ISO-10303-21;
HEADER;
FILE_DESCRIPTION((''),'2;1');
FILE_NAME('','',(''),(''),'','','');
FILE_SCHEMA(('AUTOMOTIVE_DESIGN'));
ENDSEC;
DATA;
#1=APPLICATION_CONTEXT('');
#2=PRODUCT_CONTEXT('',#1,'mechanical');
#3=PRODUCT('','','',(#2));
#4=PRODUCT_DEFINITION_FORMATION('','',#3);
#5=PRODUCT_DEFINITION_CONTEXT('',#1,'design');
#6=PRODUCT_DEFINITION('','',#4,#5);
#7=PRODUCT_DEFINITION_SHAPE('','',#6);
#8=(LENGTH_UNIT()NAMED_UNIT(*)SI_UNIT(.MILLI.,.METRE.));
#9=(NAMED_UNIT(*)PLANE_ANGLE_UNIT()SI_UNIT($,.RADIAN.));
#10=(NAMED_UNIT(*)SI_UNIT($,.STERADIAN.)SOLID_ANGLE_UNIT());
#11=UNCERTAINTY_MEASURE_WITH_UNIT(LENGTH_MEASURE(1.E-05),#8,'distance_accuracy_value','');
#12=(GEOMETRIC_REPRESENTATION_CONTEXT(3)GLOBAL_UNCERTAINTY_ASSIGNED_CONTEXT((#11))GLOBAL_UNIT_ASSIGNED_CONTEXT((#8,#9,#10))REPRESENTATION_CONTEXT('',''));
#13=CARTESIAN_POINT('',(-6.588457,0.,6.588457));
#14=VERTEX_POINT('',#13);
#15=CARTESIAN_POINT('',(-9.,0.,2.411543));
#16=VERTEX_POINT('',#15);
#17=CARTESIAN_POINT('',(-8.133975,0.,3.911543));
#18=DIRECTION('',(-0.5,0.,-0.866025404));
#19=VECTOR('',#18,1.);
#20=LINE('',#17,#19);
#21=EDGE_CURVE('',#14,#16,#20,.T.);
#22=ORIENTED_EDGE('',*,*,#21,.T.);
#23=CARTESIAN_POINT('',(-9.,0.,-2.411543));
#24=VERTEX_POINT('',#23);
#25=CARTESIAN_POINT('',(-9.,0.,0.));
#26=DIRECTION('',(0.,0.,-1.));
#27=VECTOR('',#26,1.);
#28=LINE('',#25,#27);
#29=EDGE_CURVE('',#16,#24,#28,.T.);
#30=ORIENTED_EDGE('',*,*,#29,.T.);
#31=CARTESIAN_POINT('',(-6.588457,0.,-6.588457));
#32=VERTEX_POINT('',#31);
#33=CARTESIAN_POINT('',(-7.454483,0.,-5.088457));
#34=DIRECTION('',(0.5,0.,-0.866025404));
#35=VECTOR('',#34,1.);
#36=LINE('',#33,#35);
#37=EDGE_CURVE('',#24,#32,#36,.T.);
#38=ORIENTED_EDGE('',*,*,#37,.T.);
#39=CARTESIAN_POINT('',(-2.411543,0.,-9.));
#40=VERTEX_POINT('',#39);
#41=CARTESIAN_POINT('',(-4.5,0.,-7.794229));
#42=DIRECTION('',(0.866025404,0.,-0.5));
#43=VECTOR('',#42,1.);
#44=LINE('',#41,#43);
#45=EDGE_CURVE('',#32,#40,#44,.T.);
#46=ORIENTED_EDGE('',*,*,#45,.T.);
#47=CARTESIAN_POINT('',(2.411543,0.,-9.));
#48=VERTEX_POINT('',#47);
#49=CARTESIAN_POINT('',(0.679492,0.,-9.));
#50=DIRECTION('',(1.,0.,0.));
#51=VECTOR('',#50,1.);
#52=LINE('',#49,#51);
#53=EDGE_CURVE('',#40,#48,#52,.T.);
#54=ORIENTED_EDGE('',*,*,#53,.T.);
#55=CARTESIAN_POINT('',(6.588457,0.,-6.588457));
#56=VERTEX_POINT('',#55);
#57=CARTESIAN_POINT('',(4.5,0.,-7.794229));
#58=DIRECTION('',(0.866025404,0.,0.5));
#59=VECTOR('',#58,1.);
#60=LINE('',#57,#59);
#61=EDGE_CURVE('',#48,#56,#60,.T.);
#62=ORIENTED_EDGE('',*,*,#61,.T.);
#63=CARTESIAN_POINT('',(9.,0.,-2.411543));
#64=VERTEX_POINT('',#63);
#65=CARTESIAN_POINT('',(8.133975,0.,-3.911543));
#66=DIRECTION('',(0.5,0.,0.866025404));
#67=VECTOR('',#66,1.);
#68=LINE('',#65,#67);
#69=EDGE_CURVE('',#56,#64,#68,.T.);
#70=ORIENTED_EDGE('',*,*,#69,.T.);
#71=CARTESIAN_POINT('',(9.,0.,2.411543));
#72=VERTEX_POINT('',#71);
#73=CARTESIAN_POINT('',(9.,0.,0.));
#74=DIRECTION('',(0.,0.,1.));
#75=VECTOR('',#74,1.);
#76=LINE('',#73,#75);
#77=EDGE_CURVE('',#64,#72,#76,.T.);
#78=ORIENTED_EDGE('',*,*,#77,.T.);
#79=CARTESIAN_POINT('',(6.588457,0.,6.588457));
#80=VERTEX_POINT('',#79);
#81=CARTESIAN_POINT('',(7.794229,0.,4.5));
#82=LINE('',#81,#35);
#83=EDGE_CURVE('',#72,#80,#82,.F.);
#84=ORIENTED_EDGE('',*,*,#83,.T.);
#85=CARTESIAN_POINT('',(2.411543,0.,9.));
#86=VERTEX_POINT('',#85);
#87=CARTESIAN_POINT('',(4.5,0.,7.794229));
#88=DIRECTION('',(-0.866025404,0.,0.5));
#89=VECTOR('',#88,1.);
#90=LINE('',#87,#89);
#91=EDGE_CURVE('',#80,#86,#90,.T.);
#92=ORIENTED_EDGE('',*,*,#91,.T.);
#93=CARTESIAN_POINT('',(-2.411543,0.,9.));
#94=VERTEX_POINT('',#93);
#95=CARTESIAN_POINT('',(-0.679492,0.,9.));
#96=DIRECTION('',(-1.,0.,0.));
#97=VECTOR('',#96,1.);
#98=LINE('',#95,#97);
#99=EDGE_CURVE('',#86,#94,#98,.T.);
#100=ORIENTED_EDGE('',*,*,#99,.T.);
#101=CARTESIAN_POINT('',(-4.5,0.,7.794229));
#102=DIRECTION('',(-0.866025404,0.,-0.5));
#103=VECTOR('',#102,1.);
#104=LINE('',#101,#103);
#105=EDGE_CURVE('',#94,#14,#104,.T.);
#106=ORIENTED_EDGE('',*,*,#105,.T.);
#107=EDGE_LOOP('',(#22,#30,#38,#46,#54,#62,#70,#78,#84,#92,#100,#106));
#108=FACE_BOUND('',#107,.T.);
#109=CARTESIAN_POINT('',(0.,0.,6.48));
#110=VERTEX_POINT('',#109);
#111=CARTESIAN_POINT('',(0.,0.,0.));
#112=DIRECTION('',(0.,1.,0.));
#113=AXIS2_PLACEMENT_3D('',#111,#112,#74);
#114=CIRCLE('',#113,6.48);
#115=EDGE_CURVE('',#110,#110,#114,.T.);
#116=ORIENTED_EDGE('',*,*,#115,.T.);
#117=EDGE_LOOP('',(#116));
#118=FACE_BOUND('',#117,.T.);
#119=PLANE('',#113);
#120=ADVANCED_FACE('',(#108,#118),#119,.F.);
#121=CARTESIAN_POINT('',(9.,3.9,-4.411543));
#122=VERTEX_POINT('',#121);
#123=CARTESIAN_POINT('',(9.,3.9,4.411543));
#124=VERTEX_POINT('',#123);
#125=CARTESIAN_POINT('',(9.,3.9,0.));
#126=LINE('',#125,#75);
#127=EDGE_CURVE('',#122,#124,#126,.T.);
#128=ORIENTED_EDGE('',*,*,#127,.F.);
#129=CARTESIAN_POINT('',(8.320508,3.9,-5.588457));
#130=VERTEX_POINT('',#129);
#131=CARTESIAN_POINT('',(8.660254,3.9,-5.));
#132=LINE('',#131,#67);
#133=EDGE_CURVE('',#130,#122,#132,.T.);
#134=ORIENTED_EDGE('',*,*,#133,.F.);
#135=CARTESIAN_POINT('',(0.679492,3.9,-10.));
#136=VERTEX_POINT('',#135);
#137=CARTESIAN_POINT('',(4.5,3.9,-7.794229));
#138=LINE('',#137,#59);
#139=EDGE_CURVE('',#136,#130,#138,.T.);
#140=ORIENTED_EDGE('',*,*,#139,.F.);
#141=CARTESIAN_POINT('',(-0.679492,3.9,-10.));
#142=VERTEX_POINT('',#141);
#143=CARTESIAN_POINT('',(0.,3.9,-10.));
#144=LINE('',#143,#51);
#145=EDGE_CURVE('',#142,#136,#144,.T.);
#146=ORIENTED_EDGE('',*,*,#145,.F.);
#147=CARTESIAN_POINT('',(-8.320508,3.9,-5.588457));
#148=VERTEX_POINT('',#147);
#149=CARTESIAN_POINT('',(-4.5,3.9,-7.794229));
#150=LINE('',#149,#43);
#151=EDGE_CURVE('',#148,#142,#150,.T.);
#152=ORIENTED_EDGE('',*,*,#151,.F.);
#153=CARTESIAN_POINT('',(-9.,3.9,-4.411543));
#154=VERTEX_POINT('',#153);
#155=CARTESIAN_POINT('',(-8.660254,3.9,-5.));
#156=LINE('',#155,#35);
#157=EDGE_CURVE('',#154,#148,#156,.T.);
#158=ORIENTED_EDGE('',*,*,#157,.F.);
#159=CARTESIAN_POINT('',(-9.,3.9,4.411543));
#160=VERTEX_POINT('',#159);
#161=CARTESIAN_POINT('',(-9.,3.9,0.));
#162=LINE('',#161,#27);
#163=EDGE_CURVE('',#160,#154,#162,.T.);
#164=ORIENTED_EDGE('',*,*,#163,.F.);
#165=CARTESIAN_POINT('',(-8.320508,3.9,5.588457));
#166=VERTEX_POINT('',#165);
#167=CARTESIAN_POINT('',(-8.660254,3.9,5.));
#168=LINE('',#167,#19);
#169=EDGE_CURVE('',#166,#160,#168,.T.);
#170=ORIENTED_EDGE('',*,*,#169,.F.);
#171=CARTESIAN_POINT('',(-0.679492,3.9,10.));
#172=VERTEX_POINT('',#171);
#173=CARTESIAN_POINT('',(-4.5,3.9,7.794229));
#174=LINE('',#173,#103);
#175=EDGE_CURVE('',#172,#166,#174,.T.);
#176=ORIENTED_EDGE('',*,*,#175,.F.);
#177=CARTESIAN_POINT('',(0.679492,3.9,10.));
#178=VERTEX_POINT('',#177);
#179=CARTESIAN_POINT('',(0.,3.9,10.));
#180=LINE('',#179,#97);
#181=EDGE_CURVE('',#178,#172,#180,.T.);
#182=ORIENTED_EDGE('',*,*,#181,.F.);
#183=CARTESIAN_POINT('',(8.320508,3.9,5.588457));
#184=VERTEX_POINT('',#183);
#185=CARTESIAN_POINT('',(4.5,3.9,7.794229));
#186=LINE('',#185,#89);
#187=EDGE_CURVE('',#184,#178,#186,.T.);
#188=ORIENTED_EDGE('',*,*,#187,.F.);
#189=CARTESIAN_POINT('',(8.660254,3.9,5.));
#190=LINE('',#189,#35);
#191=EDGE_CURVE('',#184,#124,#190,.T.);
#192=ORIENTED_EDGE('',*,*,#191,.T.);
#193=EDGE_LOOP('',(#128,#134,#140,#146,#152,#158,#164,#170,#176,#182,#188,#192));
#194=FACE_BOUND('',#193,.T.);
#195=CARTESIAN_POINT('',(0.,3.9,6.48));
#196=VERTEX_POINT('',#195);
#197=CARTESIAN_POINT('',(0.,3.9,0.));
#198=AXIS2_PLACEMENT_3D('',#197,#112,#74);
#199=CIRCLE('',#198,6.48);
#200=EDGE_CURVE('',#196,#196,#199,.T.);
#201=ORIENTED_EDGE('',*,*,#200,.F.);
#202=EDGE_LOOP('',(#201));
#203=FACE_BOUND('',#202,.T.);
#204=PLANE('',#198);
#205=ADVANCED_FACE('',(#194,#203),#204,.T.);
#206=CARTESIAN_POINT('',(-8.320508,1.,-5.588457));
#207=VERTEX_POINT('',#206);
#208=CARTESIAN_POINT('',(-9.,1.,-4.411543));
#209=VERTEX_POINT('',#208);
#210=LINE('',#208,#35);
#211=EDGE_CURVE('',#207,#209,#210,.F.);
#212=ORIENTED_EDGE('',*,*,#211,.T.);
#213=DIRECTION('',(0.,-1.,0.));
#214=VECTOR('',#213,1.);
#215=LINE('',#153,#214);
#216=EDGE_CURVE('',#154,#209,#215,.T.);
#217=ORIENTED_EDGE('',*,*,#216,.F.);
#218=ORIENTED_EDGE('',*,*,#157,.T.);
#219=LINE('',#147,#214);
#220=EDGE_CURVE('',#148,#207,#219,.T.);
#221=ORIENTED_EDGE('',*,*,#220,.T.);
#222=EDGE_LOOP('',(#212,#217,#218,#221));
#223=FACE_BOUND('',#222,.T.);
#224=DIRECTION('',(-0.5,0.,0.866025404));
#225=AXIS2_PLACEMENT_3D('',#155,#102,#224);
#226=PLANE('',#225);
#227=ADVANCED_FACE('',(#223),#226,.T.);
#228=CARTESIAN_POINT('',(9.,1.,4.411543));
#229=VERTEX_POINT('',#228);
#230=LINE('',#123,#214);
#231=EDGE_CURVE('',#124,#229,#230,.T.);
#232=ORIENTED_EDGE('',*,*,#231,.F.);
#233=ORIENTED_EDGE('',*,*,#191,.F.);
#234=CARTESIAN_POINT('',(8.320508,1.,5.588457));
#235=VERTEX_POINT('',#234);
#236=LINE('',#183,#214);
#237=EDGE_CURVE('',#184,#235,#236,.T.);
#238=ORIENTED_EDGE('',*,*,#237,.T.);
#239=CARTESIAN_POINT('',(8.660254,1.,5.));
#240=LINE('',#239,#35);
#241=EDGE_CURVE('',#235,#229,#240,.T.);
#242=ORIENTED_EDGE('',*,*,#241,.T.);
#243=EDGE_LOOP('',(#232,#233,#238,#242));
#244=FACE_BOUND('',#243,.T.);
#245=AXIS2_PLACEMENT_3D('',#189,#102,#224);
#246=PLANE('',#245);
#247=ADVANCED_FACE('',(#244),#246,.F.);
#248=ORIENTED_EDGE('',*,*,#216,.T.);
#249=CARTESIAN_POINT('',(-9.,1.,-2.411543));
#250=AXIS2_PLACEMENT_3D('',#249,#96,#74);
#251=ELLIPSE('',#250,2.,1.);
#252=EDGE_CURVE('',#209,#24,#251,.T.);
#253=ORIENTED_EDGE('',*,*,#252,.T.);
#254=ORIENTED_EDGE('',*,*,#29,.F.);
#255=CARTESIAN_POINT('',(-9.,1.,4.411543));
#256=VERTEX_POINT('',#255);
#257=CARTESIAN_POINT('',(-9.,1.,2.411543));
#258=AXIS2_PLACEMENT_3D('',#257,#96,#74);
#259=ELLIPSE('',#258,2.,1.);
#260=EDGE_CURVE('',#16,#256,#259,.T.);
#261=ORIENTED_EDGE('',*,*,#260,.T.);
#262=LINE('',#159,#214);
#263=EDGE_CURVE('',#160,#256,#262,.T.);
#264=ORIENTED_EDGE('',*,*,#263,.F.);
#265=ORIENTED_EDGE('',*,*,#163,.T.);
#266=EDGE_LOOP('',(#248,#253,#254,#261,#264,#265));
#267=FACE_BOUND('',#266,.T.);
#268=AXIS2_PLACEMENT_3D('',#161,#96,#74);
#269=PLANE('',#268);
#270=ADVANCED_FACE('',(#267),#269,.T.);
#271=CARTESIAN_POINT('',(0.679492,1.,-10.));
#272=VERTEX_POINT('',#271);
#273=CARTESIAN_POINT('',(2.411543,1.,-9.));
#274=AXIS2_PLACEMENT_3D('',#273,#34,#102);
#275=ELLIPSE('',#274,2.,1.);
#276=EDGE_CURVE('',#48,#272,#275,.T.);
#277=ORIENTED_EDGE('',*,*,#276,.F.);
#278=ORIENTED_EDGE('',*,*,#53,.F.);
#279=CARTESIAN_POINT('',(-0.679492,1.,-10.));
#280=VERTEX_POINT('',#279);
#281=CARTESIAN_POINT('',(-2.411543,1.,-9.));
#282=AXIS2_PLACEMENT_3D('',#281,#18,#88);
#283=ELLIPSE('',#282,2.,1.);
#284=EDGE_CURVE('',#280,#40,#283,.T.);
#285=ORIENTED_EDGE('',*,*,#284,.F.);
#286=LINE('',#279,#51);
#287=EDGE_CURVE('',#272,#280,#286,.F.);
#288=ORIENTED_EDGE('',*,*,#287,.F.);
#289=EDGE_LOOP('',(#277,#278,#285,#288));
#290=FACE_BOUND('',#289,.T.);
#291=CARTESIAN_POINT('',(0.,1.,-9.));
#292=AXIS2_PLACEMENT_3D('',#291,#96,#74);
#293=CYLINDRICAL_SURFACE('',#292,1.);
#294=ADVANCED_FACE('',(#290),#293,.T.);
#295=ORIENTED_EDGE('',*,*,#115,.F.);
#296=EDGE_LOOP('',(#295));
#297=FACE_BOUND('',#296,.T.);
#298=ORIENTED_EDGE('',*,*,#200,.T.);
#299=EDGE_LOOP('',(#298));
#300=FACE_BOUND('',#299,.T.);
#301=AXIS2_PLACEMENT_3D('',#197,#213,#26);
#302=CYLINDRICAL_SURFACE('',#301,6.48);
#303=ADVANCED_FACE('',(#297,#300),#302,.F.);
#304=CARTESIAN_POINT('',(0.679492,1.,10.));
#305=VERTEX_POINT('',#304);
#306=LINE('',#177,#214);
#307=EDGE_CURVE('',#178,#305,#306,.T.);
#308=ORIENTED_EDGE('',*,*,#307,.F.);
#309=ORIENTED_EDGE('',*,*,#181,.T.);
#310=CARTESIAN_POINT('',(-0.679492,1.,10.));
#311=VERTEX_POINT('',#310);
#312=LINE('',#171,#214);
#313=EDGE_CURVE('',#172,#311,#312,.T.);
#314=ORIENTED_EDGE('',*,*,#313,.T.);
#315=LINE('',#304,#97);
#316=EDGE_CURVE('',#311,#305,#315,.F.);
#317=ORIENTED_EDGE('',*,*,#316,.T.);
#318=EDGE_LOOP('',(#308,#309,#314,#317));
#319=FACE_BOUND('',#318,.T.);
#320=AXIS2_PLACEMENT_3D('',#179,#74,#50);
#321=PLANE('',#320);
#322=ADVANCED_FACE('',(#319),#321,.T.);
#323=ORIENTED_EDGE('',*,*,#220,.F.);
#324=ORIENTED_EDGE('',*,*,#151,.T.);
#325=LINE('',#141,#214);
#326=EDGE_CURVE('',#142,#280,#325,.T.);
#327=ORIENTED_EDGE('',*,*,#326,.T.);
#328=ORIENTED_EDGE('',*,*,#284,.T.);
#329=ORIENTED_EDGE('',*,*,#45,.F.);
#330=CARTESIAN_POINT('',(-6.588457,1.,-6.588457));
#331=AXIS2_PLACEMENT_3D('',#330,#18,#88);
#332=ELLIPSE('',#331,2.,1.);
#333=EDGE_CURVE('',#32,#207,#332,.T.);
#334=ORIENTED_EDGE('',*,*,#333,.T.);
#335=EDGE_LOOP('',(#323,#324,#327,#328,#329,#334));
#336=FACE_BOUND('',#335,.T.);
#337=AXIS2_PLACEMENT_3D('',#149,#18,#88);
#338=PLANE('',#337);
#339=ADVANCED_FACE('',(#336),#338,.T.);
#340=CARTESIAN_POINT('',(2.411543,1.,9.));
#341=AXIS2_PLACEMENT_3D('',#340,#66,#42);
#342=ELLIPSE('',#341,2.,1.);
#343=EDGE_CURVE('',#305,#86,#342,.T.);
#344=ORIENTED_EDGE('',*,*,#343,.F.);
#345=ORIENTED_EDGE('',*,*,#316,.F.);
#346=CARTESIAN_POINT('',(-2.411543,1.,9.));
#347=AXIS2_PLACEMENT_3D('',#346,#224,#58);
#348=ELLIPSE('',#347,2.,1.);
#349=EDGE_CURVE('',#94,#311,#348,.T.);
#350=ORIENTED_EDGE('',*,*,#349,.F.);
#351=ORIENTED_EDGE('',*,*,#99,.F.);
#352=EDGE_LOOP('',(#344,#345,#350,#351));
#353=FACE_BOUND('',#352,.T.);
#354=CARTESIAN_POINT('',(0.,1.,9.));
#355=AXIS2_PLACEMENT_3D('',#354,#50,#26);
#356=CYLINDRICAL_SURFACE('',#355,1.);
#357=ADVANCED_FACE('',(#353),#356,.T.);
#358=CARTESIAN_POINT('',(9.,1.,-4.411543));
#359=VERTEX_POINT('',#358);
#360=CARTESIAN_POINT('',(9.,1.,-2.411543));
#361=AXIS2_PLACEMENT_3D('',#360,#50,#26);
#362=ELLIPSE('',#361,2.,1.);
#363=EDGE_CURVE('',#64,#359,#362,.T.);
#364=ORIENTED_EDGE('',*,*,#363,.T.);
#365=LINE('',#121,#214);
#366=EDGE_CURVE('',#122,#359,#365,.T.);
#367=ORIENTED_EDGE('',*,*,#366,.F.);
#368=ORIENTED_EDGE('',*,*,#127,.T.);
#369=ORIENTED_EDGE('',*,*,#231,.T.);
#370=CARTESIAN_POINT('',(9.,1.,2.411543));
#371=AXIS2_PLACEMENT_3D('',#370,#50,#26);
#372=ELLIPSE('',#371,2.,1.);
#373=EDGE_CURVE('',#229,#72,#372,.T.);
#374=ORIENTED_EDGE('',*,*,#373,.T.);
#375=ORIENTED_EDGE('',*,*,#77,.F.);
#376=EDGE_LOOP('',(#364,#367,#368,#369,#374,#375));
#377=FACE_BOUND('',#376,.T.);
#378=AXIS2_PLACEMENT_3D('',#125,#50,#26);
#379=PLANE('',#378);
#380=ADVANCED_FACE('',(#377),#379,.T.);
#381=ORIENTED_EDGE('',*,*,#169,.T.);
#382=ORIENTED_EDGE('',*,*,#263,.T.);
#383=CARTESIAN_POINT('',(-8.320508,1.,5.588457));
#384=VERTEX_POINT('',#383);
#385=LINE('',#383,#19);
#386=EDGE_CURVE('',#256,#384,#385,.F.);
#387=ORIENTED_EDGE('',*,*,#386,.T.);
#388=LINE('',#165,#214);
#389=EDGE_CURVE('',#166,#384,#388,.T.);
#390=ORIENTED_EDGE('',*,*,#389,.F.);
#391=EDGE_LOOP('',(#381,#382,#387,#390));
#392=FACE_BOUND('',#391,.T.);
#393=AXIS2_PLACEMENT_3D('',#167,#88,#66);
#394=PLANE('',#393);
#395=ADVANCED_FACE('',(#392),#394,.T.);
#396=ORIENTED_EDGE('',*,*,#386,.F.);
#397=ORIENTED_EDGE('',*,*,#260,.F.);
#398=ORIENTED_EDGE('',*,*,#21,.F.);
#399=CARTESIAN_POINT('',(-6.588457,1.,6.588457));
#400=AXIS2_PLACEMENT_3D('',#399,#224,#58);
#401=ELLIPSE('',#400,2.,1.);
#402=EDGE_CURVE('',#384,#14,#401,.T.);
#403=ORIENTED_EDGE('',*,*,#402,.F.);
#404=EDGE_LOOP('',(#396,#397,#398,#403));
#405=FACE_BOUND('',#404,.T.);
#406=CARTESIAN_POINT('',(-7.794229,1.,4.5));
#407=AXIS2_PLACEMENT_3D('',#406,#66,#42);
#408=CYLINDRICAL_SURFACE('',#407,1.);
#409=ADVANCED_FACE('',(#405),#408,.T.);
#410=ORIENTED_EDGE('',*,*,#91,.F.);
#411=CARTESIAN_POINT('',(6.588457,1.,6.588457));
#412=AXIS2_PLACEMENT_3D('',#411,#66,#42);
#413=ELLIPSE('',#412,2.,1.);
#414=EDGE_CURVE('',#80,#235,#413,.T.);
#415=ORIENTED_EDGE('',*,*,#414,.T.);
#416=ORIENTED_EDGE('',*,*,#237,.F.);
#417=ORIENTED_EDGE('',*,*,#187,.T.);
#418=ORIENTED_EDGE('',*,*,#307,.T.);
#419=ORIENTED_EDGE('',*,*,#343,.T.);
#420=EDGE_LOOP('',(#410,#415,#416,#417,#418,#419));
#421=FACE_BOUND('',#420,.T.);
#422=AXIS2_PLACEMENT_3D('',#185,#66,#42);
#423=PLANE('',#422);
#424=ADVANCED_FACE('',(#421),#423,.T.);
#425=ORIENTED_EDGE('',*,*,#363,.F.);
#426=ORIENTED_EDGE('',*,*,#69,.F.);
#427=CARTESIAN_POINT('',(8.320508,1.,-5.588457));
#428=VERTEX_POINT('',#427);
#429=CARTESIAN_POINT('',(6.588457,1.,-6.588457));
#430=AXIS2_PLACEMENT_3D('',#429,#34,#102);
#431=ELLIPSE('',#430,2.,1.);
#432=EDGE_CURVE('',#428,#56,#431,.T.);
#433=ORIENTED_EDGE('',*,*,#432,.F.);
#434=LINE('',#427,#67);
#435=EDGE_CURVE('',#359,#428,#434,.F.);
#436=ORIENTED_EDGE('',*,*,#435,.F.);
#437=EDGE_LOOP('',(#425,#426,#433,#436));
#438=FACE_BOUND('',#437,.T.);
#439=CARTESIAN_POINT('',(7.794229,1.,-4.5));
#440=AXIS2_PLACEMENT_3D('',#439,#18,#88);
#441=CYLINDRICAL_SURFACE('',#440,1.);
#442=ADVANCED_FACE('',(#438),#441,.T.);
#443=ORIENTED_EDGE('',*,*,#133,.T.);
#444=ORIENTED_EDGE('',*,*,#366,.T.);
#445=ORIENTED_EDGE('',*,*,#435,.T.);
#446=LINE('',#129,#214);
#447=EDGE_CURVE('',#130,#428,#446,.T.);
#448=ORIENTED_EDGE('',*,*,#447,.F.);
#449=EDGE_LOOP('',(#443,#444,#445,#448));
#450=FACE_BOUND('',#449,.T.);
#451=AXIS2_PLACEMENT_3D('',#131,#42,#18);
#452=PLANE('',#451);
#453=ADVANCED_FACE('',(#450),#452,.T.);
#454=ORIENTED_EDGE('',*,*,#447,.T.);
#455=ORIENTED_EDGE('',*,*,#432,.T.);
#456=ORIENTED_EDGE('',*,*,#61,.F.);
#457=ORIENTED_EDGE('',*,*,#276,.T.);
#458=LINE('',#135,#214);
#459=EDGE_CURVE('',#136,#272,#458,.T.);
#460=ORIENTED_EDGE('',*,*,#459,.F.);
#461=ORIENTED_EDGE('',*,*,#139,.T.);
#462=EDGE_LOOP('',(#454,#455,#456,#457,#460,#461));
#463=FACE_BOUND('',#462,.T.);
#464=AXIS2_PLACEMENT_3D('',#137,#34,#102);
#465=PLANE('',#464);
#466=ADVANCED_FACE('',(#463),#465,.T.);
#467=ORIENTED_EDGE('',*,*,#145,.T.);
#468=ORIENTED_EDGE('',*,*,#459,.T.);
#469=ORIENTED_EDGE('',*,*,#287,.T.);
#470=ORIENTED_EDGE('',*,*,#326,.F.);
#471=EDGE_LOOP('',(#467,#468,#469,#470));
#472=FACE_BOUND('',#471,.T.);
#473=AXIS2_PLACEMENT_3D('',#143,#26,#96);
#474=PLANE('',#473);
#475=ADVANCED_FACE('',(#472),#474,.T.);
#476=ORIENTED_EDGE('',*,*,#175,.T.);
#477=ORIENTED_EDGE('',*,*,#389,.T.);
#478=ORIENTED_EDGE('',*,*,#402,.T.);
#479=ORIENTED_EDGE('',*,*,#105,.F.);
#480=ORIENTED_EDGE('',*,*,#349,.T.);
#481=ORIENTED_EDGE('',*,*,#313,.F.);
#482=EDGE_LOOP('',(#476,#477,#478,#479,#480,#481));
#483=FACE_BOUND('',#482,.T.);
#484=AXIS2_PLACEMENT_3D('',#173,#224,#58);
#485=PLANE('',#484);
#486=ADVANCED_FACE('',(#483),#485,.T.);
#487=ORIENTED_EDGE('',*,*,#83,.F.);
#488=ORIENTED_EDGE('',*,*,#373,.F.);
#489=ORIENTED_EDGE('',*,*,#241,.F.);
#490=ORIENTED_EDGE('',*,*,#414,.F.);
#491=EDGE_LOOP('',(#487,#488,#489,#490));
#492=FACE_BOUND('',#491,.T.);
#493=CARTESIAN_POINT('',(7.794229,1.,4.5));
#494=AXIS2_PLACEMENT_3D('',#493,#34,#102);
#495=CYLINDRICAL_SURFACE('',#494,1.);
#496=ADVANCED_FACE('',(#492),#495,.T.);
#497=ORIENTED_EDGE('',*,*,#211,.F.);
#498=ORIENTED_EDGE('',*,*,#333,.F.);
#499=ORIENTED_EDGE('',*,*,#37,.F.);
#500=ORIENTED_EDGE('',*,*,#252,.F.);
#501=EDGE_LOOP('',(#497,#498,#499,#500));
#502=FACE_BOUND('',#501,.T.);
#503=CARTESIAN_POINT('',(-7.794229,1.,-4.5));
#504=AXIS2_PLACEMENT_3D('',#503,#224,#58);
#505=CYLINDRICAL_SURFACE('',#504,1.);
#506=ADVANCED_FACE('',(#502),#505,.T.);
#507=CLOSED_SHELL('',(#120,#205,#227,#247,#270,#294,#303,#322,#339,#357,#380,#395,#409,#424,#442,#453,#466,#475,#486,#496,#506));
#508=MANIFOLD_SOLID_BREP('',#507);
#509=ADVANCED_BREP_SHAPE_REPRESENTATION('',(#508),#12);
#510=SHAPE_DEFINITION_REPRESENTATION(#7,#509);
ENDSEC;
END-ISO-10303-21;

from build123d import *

# Parameters (mm, degrees)
SKETCH_1_R      = 6.48
EXTRUDE_1_DEPTH = 3.9
FILLET_1_R      = 1


with BuildPart() as part:
    # Эскиз1 → Бобышка-Вытянуть1 (new body)
    with BuildSketch(Plane(origin=(0, 0, 0), x_dir=(1, 0, 0), z_dir=(0, 1, 0))):
        Polygon((0.679491924, 10), (8.320508076, 5.588457268), (9, 4.411542732), (9, -4.411542732), (8.320508076, -5.588457268), (0.679491924, -10), (-0.679491924, -10), (-8.320508076, -5.588457268), (-9, -4.411542732), (-9, 4.411542732), (-8.320508076, 5.588457268), (-0.679491924, 10), align=None)
        with Locations(Location((0, 0, 0), (0, 0, 270))):
            Circle(SKETCH_1_R, mode=Mode.SUBTRACT)
    extrude(amount=EXTRUDE_1_DEPTH)

    # Скругление1
    fillet_1_edges = [part.edges().sort_by_distance(p)[0] for p in [
        (-8.660254038, 0, -5),
        (0, 0, -10),
        (8.660254038, 0, -5),
        (8.660254038, 0, 5),
        (0, 0, 10),
        (-8.660254038, 0, 5),
    ]]
    fillet(fillet_1_edges, radius=FILLET_1_R)


solid = part.part
